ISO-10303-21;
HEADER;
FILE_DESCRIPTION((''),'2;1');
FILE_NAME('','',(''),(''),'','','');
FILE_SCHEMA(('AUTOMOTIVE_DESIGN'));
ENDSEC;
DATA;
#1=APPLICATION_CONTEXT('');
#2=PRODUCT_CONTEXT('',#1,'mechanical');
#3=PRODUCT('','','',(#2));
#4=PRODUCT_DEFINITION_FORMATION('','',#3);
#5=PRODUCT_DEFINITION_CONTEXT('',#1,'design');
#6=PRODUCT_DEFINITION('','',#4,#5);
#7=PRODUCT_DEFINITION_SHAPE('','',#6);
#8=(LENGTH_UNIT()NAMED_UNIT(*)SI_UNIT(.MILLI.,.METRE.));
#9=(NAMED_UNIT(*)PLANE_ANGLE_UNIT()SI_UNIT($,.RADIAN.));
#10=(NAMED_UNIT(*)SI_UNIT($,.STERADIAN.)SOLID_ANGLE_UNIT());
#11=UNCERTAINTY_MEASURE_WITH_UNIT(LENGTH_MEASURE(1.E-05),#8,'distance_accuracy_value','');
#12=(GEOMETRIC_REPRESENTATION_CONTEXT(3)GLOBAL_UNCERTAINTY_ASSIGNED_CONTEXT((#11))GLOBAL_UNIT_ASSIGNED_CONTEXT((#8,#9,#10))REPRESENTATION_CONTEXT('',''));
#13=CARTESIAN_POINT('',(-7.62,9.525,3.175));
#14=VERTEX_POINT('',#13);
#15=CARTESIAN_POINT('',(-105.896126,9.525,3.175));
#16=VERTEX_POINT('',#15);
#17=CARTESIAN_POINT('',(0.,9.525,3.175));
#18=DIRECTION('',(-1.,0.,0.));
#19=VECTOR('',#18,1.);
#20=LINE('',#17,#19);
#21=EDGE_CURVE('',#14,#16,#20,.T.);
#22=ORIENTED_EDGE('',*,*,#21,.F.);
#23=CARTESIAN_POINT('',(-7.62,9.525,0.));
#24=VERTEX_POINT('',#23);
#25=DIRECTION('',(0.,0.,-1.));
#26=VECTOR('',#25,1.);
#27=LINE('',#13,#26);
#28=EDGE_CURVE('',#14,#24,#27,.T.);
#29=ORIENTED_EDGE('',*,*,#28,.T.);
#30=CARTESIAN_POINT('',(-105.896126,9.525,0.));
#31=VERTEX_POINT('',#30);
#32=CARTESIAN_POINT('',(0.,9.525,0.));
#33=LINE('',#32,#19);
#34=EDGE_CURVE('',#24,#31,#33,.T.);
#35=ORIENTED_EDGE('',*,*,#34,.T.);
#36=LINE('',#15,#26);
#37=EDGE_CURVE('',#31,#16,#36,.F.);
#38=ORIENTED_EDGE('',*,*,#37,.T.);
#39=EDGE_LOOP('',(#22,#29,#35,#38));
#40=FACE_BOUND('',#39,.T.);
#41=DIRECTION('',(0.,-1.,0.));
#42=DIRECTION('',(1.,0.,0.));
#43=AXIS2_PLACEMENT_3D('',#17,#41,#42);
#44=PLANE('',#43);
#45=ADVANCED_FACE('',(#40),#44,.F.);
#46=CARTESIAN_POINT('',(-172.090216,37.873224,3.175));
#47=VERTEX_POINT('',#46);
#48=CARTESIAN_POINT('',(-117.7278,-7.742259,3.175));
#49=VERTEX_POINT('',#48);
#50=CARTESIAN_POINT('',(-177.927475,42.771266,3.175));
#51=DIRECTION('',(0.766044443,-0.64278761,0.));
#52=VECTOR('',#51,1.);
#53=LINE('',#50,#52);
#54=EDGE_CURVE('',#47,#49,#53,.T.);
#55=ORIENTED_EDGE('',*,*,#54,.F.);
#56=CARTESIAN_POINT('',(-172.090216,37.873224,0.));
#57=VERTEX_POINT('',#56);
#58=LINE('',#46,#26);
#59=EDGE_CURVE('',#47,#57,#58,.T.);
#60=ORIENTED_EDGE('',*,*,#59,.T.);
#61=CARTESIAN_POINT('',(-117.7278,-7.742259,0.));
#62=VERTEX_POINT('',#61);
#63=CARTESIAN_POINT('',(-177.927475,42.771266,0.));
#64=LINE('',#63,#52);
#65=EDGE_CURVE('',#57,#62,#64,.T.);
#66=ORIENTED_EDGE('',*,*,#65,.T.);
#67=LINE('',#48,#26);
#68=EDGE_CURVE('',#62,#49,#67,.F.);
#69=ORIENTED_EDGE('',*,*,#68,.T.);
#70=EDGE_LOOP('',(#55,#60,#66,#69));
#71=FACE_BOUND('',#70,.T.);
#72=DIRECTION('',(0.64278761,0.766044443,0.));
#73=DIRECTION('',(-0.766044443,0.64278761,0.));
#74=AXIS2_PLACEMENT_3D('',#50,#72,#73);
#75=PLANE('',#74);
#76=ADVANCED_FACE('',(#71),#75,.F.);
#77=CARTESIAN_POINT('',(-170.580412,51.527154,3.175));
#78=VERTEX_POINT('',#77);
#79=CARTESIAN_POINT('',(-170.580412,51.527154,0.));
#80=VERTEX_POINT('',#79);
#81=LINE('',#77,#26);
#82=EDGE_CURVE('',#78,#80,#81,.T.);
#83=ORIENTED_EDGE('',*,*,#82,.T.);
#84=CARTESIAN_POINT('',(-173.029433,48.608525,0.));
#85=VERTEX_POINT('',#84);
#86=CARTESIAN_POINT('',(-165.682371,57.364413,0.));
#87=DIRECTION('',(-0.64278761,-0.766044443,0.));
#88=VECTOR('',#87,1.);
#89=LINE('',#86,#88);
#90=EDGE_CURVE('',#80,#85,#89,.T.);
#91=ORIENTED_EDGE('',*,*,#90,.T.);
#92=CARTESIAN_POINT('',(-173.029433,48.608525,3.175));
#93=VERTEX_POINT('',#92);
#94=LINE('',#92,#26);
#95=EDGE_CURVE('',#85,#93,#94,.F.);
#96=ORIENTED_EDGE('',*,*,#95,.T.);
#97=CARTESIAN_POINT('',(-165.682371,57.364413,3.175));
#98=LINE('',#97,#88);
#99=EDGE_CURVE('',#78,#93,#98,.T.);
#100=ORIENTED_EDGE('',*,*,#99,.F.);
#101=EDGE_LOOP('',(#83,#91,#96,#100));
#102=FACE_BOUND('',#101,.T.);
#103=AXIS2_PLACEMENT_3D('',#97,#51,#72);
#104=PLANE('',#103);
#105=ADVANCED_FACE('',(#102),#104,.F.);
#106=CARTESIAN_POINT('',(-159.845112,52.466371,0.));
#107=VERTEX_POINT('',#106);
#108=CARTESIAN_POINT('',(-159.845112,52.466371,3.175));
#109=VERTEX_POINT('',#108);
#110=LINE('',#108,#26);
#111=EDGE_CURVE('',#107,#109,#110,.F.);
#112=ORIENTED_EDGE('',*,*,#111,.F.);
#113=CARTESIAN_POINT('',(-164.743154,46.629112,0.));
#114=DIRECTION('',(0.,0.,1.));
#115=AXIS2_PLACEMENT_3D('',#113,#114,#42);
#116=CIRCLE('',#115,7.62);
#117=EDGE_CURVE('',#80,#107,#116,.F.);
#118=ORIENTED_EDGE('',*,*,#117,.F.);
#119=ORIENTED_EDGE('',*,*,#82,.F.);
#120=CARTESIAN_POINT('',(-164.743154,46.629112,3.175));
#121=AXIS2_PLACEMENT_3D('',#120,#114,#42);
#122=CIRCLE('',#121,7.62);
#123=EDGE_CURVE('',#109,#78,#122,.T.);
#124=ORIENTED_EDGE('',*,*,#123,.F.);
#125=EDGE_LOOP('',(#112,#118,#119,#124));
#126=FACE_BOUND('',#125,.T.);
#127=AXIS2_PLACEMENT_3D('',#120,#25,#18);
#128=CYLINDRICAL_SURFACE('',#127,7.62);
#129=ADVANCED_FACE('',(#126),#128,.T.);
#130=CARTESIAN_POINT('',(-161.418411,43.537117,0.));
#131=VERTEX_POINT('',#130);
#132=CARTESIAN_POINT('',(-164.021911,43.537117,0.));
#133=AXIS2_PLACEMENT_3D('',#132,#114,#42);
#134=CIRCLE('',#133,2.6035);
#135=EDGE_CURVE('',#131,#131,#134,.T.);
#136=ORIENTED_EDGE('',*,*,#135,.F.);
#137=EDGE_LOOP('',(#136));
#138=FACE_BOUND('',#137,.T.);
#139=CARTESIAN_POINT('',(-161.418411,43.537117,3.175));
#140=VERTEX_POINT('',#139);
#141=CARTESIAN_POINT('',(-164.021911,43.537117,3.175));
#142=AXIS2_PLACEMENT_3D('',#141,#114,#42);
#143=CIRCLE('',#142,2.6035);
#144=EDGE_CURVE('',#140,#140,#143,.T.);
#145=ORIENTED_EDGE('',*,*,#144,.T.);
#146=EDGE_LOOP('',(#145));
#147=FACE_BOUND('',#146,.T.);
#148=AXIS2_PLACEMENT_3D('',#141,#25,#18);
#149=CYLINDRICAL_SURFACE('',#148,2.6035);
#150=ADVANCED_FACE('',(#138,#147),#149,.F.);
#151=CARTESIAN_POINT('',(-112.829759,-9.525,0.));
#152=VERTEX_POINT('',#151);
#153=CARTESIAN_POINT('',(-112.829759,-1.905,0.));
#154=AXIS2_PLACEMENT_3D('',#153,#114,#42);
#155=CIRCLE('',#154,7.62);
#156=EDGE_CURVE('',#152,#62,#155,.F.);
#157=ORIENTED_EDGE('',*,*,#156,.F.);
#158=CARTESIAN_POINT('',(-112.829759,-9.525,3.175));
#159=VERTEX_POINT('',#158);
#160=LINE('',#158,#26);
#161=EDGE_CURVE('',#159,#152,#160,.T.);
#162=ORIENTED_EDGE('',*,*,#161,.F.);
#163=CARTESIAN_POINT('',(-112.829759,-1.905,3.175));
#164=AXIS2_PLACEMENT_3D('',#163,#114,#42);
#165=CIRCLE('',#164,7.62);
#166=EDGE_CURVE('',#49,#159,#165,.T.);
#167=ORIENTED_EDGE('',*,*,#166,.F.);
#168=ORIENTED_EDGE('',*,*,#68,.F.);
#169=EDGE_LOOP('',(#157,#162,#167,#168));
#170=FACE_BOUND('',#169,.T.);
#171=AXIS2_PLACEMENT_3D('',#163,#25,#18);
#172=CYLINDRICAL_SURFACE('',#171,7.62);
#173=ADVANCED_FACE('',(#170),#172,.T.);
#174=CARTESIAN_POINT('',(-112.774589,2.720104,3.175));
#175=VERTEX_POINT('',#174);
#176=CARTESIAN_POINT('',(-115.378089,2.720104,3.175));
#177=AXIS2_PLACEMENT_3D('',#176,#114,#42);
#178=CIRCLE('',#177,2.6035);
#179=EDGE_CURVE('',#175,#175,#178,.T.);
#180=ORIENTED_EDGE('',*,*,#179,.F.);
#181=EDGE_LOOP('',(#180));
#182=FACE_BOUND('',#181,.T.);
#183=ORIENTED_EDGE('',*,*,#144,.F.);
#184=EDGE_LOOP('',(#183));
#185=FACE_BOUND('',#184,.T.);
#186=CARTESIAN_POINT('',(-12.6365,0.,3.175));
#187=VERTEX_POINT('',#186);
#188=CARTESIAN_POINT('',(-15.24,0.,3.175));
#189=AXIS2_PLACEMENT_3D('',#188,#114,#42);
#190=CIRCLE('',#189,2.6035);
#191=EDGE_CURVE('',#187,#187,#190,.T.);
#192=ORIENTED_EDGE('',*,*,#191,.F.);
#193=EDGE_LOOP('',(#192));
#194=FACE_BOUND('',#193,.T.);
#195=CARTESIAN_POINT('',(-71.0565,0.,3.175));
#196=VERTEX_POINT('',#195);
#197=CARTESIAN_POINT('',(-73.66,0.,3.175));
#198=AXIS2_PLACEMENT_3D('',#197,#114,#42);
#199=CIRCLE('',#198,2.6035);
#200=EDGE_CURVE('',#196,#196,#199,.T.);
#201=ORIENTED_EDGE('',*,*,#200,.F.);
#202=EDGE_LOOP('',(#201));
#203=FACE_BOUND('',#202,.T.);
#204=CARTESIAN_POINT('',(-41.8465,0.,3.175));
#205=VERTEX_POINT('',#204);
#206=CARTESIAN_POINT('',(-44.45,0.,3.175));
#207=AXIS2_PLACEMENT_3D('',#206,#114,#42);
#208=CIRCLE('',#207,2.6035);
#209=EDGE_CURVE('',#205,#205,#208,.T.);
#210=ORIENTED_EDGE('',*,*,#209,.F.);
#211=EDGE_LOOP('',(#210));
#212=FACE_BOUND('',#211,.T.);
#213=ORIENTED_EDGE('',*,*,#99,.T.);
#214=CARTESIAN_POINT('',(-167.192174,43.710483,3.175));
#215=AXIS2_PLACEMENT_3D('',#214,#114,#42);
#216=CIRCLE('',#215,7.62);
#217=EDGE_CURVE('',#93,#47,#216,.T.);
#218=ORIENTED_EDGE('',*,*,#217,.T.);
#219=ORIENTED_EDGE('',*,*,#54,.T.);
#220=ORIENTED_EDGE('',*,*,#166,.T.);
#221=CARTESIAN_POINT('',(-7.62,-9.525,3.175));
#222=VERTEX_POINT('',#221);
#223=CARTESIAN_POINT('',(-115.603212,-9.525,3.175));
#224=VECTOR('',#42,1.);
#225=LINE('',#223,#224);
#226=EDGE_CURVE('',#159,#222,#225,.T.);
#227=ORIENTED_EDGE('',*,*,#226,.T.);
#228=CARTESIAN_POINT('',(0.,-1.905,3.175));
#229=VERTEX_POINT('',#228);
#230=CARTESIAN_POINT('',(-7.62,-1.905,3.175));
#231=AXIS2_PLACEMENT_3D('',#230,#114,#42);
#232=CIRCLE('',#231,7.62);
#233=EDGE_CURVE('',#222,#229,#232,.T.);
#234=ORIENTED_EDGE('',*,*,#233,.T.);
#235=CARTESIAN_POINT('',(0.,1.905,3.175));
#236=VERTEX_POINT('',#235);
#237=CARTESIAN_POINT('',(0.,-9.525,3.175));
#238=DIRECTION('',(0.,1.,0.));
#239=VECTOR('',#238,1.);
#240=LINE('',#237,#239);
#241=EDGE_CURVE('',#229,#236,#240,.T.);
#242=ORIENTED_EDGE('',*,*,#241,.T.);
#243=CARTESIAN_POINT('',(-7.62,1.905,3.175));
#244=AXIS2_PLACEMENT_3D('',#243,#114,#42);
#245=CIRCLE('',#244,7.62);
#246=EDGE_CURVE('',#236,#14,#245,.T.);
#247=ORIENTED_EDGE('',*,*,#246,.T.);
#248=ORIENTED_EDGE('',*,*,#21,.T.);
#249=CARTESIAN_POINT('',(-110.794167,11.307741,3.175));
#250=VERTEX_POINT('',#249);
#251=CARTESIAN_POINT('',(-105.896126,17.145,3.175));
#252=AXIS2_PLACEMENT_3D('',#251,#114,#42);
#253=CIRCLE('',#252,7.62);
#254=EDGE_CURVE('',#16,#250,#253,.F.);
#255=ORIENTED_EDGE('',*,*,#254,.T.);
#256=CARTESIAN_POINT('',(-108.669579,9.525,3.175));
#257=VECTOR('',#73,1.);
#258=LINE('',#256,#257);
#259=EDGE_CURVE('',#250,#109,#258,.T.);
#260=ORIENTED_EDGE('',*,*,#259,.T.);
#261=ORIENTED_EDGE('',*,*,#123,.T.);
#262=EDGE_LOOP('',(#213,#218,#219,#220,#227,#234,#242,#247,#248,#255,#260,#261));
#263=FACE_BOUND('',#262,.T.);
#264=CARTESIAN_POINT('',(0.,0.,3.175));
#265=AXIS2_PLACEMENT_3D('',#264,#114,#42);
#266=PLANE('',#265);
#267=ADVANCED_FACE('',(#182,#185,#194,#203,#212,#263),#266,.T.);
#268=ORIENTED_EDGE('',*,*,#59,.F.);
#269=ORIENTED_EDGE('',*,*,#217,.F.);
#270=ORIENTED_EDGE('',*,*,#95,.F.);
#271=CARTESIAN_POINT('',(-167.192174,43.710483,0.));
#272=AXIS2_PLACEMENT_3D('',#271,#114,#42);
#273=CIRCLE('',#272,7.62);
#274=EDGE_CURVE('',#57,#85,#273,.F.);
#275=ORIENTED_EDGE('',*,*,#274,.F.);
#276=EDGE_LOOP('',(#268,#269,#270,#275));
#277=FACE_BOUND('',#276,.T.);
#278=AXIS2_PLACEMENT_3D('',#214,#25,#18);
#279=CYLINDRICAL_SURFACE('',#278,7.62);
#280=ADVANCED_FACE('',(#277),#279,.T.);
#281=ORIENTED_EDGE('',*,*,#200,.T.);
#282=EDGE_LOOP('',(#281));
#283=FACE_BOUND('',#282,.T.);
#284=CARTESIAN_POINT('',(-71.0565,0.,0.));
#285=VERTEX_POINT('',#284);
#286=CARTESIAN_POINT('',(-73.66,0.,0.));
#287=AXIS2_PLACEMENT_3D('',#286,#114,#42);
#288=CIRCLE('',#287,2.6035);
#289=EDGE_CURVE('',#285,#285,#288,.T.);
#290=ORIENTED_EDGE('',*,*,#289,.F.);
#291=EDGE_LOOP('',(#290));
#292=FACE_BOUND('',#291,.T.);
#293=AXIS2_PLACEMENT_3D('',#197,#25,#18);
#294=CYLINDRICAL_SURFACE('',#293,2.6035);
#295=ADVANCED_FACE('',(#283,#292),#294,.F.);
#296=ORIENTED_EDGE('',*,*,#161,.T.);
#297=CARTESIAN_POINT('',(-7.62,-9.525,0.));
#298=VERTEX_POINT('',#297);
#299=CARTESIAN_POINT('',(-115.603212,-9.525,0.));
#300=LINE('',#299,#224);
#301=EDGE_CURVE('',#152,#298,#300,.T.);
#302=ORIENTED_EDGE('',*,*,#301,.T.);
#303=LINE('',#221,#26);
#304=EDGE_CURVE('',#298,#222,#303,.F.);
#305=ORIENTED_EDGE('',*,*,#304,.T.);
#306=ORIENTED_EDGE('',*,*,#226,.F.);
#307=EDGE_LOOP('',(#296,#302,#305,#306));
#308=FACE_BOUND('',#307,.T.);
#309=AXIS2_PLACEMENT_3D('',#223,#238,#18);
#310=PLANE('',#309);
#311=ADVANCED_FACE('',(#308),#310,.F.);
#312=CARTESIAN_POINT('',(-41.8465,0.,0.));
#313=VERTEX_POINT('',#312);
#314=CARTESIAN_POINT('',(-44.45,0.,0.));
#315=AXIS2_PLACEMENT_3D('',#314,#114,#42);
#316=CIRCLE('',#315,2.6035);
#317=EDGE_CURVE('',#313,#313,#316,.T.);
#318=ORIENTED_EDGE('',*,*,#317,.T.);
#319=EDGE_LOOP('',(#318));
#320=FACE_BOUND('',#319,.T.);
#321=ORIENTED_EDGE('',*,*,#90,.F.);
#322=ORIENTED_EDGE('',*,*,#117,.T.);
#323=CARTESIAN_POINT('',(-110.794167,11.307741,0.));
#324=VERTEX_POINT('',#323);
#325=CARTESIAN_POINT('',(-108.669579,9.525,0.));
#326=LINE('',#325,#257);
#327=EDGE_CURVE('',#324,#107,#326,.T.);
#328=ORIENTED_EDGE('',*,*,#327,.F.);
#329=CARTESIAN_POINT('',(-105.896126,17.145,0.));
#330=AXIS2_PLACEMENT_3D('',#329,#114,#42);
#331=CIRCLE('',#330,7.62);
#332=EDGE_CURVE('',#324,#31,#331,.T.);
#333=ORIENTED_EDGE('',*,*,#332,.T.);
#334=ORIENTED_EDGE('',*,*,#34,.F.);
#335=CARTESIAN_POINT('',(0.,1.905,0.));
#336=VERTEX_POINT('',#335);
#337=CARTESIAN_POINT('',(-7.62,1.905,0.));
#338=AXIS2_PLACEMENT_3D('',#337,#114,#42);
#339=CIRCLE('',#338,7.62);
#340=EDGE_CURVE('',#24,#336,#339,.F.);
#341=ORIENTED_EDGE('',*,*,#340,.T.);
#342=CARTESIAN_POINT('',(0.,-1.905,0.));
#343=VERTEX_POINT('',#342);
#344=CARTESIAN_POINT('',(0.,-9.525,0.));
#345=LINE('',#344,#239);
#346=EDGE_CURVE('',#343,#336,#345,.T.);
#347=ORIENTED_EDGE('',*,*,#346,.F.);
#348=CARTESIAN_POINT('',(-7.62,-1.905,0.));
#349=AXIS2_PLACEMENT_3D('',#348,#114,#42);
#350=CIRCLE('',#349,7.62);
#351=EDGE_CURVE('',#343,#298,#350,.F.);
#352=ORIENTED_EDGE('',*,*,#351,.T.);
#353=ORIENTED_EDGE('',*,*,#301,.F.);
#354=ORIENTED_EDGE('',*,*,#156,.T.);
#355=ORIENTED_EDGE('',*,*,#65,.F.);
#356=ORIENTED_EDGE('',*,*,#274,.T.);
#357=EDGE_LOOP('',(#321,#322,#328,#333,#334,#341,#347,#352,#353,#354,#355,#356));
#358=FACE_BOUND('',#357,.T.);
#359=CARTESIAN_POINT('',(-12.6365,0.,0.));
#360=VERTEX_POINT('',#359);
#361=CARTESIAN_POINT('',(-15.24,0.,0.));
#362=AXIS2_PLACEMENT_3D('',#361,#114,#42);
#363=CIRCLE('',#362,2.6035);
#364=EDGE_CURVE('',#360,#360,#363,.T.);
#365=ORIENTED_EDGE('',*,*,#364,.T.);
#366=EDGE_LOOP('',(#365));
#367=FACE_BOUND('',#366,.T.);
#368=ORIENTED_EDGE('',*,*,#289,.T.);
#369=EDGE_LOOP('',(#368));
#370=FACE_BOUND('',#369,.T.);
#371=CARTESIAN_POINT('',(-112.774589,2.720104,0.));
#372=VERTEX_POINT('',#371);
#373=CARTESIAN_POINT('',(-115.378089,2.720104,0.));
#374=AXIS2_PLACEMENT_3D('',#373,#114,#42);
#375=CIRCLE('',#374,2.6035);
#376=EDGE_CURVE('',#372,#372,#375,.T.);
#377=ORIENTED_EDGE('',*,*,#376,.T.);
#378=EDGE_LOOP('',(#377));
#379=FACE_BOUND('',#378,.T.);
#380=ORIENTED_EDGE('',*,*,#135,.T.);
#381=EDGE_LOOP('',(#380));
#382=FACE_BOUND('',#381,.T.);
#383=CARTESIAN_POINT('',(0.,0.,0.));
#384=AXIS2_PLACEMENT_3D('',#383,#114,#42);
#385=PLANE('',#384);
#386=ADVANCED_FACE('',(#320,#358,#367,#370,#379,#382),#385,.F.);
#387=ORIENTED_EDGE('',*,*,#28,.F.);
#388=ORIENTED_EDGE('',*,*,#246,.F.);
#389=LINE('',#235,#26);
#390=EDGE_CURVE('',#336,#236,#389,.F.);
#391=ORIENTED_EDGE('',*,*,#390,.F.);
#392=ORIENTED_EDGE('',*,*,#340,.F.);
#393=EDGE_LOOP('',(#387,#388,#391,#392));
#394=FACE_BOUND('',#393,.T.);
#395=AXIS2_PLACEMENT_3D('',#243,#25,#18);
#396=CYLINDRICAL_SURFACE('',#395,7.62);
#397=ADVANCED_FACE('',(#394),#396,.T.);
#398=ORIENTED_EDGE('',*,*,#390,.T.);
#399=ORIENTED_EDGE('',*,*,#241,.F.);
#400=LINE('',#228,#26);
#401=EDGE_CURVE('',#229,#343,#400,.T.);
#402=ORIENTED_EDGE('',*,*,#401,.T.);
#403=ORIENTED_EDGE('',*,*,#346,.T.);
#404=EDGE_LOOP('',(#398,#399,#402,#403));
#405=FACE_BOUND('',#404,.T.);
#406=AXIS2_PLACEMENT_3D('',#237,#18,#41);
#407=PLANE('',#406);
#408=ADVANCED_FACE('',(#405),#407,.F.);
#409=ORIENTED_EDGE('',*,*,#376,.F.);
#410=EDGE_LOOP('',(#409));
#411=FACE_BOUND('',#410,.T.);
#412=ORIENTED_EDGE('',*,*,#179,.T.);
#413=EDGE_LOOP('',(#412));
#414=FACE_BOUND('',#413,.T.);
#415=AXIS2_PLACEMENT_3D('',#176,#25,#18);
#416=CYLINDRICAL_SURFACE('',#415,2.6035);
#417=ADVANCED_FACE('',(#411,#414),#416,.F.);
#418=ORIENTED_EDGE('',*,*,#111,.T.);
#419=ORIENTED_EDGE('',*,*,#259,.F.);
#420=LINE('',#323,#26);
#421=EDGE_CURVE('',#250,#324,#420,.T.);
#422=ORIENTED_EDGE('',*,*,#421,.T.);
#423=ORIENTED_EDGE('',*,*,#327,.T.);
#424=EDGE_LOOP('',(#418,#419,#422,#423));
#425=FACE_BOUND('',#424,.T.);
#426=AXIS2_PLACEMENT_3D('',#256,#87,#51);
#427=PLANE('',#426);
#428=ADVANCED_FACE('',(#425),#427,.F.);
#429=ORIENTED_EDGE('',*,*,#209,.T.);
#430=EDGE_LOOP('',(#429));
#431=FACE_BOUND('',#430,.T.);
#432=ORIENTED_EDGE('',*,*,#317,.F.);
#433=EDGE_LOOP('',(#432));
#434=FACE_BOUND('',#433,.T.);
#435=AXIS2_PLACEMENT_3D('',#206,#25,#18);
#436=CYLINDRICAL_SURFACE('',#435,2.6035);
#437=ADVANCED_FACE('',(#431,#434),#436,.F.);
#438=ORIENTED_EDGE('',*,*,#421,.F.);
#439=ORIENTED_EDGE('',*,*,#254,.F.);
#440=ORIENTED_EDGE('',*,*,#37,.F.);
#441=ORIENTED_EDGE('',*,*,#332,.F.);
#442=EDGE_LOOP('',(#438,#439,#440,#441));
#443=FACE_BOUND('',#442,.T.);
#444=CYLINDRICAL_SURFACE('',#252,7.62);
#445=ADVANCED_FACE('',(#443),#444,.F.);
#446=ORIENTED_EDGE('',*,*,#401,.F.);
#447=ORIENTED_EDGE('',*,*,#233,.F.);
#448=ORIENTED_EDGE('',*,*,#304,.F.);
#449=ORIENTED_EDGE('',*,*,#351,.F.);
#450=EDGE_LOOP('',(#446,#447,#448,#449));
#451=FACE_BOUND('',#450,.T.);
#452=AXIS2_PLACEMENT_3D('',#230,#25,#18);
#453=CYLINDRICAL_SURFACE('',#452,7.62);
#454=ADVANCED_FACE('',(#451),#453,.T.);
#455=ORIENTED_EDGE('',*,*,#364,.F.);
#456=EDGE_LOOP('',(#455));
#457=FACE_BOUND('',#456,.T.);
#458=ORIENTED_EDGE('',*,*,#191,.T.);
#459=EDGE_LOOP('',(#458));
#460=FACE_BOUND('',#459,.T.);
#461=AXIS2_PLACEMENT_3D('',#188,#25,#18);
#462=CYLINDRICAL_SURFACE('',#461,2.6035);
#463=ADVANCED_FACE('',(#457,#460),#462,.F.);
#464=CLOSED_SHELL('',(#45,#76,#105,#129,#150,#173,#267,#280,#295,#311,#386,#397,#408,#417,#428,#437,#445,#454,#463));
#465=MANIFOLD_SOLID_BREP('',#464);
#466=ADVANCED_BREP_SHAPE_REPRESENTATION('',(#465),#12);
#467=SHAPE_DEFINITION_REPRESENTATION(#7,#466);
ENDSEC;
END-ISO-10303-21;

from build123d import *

# Parameters (mm, degrees)
SKETCH2_R           = 2.6035
BOSS_EXTRUDE1_DEPTH = 3.175
FILLET1_R           = 7.62


with BuildPart() as part:
    # Sketch2 → Boss-Extrude1 (new body)
    with BuildSketch(Plane.XY):
        Polygon((0, -9.525), (0, 9.525), (-108.669578778, 9.525), (-165.682370629, 57.364412615), (-177.927474593, 42.771265973), (-115.60321174, -9.525), align=None)
        with Locations((-164.021911069, 43.53711718)):
            Circle(SKETCH2_R, mode=Mode.SUBTRACT)
        with Locations((-115.378088931, 2.720103965)):
            Circle(SKETCH2_R, mode=Mode.SUBTRACT)
        with Locations((-73.66, 0)):
            Circle(SKETCH2_R, mode=Mode.SUBTRACT)
        with Locations((-44.45, 0)):
            Circle(SKETCH2_R, mode=Mode.SUBTRACT)
        with Locations((-15.24, 0)):
            Circle(SKETCH2_R, mode=Mode.SUBTRACT)
    extrude(amount=BOSS_EXTRUDE1_DEPTH)

    # Fillet1
    fillet1_edges = [part.edges().sort_by_distance(p)[0] for p in [
        (-115.60321174, -9.525, 1.5875),
        (-177.927474593, 42.771265973, 1.5875),
        (-165.682370629, 57.364412615, 1.5875),
        (-108.669578778, 9.525, 1.5875),
        (0, 9.525, 1.5875),
        (0, -9.525, 1.5875),
    ]]
    fillet(fillet1_edges, radius=FILLET1_R)


solid = part.part
